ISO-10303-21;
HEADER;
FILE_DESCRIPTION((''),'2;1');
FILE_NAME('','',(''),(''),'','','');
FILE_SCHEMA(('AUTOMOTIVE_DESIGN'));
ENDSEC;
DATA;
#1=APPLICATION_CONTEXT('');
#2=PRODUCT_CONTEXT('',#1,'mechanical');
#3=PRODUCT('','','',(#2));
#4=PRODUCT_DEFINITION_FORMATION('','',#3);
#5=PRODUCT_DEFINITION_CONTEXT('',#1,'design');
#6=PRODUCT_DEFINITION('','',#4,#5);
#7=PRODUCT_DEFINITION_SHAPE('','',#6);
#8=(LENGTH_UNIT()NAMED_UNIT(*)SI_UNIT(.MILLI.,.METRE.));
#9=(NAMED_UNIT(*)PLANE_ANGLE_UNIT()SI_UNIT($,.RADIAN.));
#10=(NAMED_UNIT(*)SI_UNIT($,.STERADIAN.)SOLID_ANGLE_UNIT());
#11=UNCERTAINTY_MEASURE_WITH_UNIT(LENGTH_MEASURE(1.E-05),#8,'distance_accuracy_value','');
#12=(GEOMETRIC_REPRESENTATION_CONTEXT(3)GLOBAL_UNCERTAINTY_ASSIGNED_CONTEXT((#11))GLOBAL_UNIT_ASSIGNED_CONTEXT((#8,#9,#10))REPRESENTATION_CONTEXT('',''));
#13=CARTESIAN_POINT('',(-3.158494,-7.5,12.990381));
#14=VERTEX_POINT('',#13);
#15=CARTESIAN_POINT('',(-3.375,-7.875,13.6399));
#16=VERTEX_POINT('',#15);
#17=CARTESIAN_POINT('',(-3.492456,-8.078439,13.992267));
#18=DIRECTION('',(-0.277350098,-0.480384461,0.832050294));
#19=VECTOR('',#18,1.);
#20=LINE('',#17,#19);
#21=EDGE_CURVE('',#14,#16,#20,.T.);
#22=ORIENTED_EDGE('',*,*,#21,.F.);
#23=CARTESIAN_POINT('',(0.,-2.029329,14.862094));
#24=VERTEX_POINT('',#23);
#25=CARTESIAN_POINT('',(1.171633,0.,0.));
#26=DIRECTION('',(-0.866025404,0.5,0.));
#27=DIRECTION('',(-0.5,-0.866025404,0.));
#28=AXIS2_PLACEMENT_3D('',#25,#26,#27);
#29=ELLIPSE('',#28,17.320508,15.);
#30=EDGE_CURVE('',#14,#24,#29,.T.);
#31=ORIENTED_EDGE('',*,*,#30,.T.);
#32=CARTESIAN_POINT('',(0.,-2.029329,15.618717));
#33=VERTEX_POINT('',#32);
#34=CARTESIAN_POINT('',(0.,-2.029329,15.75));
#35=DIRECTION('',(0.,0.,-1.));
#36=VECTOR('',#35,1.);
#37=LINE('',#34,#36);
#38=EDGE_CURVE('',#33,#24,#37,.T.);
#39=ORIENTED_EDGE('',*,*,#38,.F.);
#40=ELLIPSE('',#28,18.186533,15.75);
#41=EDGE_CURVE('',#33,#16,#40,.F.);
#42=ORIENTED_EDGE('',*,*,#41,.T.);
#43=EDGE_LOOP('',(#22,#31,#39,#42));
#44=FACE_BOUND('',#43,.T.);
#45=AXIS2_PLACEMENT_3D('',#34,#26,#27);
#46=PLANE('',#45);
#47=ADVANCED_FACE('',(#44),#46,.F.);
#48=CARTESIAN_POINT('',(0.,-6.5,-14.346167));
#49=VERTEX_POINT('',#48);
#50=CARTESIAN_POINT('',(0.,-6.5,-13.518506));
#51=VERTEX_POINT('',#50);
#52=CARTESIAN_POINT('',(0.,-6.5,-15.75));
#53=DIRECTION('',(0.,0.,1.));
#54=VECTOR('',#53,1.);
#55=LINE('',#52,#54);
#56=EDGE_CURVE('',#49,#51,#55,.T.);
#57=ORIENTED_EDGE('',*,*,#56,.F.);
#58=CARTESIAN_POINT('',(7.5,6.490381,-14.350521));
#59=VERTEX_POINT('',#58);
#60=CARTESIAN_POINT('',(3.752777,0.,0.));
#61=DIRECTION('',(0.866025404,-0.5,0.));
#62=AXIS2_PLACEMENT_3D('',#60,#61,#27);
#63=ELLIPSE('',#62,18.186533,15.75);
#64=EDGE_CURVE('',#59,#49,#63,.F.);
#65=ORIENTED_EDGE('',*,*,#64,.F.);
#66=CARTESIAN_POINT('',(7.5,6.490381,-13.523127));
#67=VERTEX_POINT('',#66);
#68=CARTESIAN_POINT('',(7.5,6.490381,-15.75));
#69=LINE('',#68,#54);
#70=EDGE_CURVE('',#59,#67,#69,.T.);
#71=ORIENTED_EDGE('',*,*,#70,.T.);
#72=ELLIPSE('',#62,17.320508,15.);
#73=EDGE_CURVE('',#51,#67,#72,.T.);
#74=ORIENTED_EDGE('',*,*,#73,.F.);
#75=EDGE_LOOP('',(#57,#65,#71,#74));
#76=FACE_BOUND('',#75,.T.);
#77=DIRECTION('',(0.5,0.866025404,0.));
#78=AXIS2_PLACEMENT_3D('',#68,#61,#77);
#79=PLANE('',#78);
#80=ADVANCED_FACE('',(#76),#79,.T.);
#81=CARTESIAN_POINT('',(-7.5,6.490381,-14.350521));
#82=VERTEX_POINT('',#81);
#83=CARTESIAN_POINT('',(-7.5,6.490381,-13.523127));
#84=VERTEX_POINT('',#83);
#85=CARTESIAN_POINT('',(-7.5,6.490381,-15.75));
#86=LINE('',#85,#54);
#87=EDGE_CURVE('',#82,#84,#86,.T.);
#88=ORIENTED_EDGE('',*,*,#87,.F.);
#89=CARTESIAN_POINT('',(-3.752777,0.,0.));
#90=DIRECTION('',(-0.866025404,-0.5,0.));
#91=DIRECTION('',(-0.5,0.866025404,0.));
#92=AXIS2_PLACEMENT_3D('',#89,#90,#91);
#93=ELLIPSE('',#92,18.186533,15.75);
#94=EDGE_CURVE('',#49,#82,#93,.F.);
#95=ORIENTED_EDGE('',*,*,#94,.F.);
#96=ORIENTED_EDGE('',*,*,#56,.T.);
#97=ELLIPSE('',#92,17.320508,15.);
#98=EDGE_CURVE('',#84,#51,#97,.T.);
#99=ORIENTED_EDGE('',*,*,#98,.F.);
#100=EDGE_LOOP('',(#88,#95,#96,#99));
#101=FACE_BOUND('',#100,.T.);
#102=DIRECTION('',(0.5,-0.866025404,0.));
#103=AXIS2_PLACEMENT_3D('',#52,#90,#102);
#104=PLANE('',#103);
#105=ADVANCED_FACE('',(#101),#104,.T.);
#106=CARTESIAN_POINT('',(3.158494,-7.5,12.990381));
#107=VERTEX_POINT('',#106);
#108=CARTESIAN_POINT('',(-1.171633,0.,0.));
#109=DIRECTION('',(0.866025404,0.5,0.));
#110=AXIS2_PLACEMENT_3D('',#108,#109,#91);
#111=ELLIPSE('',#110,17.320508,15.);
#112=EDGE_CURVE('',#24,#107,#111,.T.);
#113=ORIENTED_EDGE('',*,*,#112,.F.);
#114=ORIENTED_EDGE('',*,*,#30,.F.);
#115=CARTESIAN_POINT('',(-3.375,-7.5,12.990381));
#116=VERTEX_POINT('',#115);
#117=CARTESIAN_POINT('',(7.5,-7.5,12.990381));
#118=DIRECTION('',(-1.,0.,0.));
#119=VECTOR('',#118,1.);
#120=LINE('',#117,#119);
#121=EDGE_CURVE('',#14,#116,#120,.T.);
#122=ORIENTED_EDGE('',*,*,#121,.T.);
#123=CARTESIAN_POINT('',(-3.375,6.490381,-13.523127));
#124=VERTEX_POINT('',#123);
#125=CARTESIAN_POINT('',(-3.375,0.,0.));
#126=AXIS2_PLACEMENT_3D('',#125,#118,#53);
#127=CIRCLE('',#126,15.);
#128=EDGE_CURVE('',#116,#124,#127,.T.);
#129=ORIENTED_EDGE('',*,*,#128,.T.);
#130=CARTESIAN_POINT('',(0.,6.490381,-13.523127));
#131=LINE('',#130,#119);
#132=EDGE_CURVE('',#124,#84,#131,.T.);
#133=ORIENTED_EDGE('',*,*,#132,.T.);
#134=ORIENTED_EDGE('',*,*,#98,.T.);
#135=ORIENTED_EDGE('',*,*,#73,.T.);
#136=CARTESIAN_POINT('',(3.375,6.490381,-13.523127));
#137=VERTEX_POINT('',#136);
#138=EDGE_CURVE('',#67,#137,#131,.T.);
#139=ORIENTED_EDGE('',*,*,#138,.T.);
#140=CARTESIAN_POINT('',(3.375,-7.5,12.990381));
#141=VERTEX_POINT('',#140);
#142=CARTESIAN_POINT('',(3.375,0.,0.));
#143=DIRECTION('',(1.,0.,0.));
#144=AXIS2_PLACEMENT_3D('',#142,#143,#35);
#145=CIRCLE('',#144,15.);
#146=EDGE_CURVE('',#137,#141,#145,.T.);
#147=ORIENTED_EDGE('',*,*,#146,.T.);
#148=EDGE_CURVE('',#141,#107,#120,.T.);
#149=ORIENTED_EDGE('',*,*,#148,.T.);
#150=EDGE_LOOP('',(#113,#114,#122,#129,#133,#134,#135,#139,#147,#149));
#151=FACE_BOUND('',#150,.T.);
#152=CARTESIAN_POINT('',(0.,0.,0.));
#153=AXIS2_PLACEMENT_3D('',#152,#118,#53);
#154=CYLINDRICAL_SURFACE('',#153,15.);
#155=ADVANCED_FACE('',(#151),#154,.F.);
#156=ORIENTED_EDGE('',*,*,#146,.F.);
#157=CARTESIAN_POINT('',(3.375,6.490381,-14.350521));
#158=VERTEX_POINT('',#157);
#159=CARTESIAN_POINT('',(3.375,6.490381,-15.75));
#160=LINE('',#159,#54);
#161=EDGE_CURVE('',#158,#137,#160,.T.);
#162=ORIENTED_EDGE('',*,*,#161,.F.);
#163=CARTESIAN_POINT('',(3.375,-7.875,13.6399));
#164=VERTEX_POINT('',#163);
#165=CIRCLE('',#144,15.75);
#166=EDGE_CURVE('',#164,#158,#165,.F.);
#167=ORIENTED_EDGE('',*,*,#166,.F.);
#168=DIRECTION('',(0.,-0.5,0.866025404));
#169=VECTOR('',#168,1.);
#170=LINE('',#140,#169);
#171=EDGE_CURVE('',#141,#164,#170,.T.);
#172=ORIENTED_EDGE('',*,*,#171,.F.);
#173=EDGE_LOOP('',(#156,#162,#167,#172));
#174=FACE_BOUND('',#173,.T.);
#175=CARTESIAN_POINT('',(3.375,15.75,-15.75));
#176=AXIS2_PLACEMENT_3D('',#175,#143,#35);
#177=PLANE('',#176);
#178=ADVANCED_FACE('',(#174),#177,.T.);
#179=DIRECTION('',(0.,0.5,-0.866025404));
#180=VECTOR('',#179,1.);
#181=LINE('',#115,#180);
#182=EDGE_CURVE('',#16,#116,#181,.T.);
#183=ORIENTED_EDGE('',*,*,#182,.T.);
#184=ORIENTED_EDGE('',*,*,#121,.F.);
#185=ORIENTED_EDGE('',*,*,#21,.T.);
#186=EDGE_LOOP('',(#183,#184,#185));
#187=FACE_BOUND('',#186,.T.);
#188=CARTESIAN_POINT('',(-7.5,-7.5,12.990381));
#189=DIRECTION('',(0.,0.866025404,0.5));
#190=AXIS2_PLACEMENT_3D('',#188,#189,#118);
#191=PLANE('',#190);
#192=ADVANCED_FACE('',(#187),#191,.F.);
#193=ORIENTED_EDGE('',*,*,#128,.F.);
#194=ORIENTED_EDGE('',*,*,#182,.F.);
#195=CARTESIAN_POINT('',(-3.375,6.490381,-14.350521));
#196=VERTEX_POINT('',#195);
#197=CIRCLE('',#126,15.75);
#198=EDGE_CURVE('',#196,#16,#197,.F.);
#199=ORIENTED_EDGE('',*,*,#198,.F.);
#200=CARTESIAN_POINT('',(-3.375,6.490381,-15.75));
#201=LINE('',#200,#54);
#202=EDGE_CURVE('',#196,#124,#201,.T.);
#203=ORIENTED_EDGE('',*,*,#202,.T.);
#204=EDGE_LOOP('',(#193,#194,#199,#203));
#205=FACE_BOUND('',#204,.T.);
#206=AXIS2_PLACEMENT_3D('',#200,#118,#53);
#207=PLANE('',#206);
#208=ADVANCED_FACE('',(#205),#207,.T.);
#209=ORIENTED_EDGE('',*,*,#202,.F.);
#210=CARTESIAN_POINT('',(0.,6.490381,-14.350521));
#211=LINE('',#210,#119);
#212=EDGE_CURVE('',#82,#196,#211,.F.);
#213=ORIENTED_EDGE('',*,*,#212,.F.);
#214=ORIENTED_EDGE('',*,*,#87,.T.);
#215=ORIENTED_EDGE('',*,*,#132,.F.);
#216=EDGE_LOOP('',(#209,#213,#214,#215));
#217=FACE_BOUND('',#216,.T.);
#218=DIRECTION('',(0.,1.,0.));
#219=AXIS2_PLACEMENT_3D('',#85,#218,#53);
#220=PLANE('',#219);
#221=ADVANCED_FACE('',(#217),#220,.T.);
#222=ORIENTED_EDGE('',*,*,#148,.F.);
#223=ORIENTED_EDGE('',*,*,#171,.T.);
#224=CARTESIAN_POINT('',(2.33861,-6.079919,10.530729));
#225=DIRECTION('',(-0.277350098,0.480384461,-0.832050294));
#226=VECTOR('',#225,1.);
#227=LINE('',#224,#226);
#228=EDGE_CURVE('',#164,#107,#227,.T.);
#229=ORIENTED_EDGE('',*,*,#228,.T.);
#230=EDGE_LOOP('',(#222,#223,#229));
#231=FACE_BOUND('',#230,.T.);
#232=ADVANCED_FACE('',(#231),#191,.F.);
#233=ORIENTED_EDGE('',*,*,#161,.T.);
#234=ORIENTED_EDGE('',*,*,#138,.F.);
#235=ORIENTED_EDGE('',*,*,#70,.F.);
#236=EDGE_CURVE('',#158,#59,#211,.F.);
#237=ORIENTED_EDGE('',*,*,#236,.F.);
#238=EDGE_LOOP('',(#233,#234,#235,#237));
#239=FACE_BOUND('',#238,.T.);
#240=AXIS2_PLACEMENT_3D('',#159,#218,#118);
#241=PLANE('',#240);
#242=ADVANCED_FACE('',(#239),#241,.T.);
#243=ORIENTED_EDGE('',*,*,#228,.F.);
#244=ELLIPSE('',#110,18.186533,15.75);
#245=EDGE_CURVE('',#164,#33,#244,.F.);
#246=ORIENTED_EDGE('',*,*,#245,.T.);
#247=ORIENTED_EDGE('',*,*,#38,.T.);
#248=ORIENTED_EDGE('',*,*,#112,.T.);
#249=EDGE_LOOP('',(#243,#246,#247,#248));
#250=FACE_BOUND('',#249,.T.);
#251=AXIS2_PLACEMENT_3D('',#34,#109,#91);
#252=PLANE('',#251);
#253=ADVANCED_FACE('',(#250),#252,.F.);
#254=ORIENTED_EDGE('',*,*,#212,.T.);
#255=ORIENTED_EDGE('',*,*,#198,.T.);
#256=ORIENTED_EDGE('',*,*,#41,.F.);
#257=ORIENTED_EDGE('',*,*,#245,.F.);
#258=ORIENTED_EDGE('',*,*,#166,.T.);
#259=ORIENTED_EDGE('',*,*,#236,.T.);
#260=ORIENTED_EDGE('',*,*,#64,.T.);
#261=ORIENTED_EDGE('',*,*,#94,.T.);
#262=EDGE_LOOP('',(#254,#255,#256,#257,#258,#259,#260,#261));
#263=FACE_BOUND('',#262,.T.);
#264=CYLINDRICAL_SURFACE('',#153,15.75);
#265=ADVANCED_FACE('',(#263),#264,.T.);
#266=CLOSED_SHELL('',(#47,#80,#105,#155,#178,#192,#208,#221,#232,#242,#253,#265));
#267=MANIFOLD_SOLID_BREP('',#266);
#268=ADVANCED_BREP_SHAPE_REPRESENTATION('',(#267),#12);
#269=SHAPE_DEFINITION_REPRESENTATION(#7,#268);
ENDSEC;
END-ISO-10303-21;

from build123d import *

# Parameters (mm, degrees)
CIRCULARBAND_W               = 15
CIRCULARBAND_H               = 0.75
BASE_REVOLVE_ANGLE           = 120
BASE_REVOLVE_OTHER_WAY_ANGLE = 120
SKETCH9_OUTSIDE_W            = 25.428
SKETCH9_OUTSIDE_H            = 34.053
HEAD1_DEPTH                  = 16.75
SKETCH10_OUTSIDE_W           = 25.428
SKETCH10_OUTSIDE_H           = 34.053
TAIL1_DEPTH                  = 16.75


with BuildPart() as part:
    # circularband → Base-Revolve (revolve)
    with BuildSketch(Plane.XY):
        with Locations((0, 15.375)):
            Rectangle(CIRCULARBAND_W, CIRCULARBAND_H)
    revolve(axis=Axis((0, 0, 0), (1, 0, 0)), revolution_arc=BASE_REVOLVE_ANGLE)

    # circularband → Base-Revolve other way (revolve)
    with BuildSketch(Plane.XY):
        with Locations((0, 15.375)):
            Rectangle(CIRCULARBAND_W, CIRCULARBAND_H)
    revolve(axis=Axis((0, 0, 0), (-1, 0, 0)), revolution_arc=BASE_REVOLVE_OTHER_WAY_ANGLE)

    # Sketch9 outside → head1 (cut, through all)
    with BuildSketch(Plane.XY):
        with Locations((0, 3.9375)):
            Rectangle(SKETCH9_OUTSIDE_W, SKETCH9_OUTSIDE_H)
        Polygon((-3.375, 15.75), (3.375, 15.75), (3.375, 6.490381057), (7.5, 6.490381057), (0, -6.5), (-7.5, 6.490381057), (-3.375, 6.490381057), align=None, mode=Mode.SUBTRACT)
    extrude(amount=-HEAD1_DEPTH, mode=Mode.SUBTRACT)

    # Sketch10 outside → tail1 (cut, through all)
    with BuildSketch(Plane.XY):
        with Locations((0, 3.9375)):
            Rectangle(SKETCH10_OUTSIDE_W, SKETCH10_OUTSIDE_H)
        Polygon((0, -2.029328524), (3.375, -7.875), (3.375, 15.75), (-3.375, 15.75), (-3.375, -7.875), align=None, mode=Mode.SUBTRACT)
    extrude(amount=TAIL1_DEPTH, mode=Mode.SUBTRACT)


solid = part.part
